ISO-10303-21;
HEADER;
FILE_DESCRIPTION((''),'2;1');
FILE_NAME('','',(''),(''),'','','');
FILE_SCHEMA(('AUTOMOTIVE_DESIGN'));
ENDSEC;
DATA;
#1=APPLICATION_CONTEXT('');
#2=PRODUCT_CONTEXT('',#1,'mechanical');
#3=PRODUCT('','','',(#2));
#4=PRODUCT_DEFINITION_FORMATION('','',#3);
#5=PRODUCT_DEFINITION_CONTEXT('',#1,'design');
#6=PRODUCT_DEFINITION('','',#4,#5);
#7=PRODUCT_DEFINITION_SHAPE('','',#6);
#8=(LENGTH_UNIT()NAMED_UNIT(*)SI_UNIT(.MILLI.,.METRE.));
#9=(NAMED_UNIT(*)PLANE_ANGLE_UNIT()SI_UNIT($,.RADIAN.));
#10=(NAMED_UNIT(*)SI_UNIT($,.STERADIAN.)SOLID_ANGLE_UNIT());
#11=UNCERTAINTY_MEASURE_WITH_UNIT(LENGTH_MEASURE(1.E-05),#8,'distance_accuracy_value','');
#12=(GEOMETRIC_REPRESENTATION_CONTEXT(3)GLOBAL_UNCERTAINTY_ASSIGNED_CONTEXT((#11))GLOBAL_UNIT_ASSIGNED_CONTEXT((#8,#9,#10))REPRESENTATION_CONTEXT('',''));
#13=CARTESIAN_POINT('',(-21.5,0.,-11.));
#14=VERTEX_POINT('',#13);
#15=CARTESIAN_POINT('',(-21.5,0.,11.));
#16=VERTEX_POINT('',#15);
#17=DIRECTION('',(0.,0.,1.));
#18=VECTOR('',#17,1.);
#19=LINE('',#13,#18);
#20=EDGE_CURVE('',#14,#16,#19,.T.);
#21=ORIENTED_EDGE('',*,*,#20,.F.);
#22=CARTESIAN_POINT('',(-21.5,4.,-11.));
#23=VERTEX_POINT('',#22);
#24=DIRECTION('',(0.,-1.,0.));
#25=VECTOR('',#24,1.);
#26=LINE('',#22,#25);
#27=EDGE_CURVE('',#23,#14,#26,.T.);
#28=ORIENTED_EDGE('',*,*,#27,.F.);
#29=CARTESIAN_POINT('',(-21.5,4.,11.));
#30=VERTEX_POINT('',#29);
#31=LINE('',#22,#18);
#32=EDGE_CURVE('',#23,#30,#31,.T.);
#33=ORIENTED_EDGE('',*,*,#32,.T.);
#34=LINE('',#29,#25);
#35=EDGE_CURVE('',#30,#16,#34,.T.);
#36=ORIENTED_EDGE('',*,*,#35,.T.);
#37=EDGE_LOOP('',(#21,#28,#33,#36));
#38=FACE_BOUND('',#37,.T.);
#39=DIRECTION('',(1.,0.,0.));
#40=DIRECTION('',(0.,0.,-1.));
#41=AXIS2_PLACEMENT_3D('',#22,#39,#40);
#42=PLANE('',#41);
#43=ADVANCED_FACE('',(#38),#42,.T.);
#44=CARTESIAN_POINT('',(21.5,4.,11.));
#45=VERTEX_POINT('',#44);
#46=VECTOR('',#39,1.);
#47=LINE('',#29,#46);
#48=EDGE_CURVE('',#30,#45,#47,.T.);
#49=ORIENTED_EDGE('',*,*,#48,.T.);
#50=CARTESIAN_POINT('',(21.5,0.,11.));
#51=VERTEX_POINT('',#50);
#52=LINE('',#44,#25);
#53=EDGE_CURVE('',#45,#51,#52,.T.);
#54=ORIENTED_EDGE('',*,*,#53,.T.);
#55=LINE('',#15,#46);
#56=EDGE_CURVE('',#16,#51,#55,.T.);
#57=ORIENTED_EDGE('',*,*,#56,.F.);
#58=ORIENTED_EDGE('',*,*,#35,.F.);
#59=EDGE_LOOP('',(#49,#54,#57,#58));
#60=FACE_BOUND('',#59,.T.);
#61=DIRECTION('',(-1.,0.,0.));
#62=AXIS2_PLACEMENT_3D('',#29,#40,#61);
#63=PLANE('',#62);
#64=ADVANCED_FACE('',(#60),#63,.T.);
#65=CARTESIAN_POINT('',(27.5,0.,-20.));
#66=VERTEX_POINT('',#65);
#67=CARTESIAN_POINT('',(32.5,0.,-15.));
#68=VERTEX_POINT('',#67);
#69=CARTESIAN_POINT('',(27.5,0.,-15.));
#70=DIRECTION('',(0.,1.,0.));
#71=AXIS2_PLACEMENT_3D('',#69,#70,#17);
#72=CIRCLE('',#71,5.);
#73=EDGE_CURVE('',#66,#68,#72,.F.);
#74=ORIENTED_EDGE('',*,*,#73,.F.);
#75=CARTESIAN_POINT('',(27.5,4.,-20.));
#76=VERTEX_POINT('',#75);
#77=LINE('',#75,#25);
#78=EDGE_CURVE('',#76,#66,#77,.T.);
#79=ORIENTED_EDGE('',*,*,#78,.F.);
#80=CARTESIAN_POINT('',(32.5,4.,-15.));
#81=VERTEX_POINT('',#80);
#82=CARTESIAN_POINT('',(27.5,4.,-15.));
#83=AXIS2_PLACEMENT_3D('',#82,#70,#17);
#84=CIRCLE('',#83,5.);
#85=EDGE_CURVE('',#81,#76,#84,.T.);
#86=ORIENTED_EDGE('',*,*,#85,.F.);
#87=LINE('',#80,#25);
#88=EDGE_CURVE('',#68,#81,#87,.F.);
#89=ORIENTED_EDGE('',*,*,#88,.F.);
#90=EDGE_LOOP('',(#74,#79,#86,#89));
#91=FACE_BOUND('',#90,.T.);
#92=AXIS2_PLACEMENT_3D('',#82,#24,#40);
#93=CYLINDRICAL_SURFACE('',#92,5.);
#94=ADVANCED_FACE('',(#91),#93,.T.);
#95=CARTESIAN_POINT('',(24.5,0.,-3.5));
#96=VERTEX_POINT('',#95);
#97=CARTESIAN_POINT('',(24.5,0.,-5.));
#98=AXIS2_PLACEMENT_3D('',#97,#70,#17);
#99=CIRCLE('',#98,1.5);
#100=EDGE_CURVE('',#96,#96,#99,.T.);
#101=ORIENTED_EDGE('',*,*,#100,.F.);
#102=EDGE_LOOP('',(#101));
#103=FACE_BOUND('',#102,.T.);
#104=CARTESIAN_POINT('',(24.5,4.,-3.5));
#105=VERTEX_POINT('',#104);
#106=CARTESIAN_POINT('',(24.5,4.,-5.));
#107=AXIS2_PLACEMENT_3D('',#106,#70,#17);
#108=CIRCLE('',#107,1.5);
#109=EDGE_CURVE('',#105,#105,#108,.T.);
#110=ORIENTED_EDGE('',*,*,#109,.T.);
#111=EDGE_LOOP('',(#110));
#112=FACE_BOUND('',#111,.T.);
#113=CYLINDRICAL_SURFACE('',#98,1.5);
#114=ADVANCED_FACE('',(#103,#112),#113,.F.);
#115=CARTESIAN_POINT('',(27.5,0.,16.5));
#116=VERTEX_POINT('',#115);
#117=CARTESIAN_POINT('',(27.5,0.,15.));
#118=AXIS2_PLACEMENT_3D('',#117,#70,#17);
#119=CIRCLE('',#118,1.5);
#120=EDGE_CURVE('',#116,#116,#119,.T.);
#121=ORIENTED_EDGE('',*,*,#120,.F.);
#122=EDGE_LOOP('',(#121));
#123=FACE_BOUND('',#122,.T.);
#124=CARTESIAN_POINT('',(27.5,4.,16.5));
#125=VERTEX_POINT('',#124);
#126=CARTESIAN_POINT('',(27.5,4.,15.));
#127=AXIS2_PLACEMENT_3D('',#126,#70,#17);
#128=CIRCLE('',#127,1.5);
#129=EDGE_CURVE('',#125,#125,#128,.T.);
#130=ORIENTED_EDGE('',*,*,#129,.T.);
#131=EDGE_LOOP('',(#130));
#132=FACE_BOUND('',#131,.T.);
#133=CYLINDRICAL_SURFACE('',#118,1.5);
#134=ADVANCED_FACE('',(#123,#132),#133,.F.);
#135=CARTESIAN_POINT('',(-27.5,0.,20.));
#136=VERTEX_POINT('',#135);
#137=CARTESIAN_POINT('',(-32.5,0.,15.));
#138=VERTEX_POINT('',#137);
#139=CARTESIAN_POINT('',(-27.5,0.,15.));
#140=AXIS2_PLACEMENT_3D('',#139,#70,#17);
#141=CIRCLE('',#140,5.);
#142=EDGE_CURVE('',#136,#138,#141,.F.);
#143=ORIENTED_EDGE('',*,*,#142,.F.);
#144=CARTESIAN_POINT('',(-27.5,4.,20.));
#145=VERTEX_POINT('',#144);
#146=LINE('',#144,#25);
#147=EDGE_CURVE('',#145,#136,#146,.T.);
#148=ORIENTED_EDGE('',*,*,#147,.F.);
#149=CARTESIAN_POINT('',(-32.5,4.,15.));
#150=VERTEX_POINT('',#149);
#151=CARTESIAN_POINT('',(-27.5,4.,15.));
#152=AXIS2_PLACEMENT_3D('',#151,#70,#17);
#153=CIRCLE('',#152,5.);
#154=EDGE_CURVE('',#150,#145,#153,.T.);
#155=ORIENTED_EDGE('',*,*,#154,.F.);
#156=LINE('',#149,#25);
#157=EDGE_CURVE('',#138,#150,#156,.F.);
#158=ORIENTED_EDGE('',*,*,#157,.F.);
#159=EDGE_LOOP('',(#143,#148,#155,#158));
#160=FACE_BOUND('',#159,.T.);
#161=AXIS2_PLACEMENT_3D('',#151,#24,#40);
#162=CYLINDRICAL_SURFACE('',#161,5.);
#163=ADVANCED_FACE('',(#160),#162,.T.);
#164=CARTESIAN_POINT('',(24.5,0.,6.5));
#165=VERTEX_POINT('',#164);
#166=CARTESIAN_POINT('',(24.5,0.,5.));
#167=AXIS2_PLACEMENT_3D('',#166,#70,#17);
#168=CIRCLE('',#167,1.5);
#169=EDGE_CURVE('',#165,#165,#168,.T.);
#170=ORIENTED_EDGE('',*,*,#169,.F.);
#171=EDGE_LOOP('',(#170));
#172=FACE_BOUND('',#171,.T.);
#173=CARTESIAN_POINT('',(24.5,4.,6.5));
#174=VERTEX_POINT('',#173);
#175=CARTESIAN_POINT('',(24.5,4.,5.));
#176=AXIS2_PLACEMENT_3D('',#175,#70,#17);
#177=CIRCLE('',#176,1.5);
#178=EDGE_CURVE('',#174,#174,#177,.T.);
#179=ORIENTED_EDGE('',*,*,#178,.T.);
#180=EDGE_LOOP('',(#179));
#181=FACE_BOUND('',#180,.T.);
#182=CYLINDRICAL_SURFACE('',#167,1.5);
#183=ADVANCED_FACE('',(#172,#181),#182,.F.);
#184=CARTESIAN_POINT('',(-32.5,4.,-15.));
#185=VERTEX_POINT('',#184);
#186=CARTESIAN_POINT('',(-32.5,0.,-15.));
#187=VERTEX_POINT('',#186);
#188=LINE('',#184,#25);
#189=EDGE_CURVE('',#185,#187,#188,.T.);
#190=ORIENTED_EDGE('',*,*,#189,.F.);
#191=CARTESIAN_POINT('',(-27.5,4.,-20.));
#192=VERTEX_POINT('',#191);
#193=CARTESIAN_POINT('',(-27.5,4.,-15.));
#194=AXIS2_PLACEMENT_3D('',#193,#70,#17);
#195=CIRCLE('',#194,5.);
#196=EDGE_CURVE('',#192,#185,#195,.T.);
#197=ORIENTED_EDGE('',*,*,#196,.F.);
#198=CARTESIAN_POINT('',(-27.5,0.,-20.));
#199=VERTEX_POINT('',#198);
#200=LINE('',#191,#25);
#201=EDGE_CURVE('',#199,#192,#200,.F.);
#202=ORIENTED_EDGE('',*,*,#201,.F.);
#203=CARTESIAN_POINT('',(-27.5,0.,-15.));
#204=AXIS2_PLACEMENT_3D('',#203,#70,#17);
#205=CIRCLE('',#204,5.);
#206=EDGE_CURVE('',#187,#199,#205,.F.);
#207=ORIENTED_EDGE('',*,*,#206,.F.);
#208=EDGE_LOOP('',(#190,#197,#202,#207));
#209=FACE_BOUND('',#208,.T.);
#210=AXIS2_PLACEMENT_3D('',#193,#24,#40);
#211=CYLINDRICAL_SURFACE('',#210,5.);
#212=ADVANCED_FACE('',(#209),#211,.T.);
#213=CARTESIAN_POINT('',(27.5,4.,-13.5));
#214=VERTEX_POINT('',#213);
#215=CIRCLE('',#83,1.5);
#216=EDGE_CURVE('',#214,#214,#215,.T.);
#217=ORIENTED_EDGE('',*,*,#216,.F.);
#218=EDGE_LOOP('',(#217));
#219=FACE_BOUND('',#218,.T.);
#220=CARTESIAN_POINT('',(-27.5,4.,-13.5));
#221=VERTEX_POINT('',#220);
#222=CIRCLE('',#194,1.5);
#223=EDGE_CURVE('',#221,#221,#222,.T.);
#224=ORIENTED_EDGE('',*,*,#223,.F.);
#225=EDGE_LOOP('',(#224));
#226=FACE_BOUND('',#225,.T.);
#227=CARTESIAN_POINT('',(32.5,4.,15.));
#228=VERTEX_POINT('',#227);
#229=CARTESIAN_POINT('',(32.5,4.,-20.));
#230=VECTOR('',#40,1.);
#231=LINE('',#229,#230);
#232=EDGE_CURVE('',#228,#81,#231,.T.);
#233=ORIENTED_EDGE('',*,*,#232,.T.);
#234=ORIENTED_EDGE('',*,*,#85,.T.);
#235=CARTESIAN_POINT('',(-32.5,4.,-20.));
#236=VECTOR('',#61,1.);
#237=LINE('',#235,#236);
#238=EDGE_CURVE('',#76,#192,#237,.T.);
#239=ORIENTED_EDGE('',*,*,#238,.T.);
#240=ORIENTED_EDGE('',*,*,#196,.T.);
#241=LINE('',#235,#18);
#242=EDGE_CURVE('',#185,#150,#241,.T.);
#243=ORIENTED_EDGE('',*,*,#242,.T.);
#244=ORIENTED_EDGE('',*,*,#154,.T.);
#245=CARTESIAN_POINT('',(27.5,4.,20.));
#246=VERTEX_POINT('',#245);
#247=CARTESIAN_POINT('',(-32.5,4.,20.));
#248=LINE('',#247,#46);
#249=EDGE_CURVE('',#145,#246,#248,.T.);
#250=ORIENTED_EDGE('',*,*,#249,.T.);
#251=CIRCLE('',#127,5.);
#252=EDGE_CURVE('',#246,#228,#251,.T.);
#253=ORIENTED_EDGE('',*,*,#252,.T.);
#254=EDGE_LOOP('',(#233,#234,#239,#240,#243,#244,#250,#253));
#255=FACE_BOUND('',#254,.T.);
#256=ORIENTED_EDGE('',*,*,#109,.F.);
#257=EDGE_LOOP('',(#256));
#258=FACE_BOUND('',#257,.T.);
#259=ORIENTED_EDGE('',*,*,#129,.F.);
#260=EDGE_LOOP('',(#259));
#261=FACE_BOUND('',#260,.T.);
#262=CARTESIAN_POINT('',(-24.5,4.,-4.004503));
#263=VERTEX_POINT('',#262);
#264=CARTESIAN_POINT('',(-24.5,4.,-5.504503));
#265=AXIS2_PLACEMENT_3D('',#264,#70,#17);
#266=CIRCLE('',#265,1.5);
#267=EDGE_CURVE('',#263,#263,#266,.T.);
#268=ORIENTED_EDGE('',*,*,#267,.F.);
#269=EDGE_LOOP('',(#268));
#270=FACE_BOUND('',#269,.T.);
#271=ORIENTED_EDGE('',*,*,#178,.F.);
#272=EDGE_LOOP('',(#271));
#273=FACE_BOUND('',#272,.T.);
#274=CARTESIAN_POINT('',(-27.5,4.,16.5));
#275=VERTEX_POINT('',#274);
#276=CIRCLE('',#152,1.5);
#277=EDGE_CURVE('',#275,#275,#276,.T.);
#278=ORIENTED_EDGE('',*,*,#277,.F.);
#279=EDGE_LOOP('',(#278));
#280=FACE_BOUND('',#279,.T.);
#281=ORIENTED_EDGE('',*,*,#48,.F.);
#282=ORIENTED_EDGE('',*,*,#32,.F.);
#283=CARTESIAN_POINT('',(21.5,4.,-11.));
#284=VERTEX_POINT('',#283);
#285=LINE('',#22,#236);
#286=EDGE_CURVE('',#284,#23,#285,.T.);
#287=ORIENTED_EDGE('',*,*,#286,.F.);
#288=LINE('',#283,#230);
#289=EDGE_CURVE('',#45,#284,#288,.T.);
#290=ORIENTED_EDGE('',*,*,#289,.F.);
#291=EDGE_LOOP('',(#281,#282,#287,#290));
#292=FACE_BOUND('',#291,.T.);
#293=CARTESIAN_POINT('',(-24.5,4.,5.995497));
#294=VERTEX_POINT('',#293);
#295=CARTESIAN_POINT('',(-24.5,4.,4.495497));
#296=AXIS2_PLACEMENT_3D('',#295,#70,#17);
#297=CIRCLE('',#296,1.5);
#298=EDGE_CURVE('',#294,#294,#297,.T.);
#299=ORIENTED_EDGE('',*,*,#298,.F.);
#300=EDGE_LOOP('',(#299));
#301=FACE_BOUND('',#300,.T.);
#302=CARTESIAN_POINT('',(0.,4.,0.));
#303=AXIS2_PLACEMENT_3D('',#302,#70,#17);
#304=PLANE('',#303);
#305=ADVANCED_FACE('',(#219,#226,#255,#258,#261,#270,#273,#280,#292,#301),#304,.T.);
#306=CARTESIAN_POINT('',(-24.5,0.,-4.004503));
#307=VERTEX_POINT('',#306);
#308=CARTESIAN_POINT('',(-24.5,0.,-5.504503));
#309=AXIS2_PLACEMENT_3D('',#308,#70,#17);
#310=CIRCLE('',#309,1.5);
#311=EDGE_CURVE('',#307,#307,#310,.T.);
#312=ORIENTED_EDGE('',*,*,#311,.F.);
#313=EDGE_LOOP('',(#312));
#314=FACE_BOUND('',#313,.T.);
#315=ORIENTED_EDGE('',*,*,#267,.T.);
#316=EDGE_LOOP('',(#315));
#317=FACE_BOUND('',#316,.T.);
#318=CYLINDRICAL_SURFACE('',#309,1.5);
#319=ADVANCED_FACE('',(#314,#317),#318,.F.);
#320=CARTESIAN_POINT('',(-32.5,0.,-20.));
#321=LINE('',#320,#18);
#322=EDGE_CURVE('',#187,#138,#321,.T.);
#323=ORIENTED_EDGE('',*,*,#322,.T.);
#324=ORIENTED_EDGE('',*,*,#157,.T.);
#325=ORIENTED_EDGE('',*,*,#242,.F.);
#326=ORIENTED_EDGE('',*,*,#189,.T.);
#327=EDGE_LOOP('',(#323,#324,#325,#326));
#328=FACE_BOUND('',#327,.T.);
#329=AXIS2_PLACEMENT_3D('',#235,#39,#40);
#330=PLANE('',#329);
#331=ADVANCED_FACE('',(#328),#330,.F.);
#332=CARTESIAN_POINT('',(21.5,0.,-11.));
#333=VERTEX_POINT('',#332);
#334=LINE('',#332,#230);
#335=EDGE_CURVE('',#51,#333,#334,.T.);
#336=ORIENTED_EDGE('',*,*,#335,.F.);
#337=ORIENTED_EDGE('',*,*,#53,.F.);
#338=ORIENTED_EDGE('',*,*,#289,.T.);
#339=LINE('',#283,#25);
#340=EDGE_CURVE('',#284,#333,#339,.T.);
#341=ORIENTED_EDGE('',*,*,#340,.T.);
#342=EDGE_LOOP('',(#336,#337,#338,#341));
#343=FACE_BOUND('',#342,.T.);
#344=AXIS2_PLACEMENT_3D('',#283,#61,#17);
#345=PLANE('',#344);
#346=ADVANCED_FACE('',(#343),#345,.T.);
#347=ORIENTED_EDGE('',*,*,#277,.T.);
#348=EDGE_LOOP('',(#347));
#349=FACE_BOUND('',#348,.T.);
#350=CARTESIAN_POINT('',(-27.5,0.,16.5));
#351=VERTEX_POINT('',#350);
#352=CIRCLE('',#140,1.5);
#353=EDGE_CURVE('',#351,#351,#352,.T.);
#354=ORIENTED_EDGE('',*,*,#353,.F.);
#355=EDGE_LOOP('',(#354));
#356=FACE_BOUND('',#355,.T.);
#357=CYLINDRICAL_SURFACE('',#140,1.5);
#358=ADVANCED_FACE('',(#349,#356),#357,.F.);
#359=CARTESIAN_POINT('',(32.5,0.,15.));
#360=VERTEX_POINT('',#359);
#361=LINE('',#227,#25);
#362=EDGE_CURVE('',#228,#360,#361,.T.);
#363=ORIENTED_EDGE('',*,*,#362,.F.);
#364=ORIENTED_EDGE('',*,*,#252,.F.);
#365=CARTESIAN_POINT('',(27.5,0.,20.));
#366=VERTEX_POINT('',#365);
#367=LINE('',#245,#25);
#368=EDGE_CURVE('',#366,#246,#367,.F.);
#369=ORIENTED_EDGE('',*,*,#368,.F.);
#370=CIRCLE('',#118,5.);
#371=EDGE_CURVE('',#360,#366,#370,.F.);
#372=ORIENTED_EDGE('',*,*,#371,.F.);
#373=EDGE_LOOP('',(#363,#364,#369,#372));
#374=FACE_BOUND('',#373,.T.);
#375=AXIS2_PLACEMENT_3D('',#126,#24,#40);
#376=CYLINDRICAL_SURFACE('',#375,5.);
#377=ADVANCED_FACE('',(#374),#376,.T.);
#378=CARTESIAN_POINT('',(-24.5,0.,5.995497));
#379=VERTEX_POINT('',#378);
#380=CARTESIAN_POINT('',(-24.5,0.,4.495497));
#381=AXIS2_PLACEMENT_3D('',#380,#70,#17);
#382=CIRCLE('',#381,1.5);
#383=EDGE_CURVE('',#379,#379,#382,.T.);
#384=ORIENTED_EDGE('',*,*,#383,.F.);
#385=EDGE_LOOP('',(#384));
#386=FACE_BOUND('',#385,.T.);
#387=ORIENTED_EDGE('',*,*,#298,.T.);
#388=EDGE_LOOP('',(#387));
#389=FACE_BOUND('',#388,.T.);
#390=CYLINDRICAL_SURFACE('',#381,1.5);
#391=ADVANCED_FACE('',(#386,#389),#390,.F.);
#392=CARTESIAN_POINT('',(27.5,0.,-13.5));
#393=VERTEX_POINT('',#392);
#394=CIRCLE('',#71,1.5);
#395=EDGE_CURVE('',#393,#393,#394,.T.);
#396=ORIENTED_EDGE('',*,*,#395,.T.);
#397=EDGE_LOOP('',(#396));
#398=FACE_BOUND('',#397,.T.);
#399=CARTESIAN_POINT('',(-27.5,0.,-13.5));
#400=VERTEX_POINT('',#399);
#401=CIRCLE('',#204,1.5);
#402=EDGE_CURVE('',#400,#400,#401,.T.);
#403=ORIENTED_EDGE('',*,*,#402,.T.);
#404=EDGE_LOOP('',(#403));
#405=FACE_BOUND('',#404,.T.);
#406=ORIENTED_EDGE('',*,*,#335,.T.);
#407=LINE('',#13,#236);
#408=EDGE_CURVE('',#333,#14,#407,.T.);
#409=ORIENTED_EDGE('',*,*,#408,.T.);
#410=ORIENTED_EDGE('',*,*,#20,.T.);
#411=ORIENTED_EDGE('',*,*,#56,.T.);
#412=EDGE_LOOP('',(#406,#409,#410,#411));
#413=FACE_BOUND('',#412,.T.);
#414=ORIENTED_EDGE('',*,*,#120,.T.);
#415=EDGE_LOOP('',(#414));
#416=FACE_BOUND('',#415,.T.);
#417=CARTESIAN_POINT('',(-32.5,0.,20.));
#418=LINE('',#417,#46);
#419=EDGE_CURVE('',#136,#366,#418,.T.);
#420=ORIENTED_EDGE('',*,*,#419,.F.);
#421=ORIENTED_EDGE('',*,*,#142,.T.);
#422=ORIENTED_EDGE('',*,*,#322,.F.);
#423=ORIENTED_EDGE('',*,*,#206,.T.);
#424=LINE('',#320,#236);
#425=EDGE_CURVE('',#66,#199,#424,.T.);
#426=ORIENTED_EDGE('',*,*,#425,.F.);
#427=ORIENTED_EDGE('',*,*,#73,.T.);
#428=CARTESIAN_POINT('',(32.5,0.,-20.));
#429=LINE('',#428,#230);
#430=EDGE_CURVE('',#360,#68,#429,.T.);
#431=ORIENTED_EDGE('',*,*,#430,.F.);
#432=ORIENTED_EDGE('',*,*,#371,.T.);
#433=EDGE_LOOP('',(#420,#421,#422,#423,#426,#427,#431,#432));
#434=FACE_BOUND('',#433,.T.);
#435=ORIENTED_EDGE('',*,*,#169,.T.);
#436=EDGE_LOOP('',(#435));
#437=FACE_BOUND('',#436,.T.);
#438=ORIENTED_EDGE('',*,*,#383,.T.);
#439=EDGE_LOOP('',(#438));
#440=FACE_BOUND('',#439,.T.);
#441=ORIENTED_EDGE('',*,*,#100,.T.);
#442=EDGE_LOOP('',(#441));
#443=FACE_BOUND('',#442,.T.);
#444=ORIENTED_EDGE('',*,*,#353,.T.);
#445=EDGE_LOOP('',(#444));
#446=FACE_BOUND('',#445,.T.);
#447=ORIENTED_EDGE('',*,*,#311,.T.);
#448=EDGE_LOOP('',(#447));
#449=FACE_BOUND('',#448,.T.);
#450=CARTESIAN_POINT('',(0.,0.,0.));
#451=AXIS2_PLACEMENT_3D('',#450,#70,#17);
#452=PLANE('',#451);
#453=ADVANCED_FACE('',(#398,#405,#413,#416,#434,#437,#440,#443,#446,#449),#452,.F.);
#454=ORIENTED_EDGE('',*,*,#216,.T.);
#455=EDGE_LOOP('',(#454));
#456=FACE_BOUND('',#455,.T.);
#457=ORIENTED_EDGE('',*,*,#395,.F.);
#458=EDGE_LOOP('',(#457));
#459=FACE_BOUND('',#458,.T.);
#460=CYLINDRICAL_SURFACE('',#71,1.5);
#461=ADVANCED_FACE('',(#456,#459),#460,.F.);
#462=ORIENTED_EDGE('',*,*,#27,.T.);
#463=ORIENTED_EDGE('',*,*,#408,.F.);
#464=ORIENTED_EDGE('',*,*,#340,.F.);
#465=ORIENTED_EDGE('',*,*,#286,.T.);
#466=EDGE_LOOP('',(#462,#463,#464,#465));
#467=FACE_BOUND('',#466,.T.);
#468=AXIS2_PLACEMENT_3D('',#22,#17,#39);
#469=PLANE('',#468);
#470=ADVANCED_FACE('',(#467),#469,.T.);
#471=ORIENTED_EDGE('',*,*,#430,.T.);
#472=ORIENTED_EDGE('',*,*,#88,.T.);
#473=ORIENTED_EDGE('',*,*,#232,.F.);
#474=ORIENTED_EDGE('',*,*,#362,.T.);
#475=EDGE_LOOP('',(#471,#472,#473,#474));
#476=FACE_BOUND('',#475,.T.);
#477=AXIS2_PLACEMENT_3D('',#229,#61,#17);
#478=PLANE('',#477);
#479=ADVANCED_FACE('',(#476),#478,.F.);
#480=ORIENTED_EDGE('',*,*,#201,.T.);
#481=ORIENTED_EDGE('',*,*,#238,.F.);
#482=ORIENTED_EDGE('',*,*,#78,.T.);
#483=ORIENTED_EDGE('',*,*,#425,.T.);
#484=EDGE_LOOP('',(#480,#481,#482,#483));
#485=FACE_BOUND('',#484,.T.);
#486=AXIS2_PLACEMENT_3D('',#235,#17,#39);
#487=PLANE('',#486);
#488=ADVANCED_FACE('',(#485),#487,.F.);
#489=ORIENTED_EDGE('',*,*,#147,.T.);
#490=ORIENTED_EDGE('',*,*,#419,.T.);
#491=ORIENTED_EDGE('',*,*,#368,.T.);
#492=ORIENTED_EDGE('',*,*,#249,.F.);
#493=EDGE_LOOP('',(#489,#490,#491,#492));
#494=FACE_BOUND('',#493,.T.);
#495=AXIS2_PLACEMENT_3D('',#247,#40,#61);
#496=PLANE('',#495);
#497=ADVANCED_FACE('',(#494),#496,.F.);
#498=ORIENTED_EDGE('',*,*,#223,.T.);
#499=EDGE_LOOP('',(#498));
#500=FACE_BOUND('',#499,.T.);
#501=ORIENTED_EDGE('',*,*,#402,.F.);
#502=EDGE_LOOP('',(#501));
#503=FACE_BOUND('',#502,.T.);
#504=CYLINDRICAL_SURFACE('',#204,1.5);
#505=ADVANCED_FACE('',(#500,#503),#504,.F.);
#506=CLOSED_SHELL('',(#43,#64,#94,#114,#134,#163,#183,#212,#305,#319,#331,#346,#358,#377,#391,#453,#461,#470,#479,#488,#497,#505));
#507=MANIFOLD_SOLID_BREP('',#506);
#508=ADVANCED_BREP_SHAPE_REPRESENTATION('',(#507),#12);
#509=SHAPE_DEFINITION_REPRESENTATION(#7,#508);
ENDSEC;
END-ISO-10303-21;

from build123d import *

# Parameters (mm, degrees)
SKETCH1_W           = 65
SKETCH1_H           = 40
SKETCH1_W_2         = 43
SKETCH1_H_2         = 22
BOSS_EXTRUDE1_DEPTH = 4
SKETCH2_R           = 1.5
CUT_EXTRUDE1_DEPTH  = 39.369910086
FILLET1_R           = 5
FILLET2_R           = 5
FILLET3_R           = 5
FILLET4_R           = 5


with BuildPart() as part:
    # Sketch1 → Boss-Extrude1 (new body)
    with BuildSketch(Plane(origin=(0, 0, 0), x_dir=(1, 0, 0), z_dir=(0, 1, 0))):
        Rectangle(SKETCH1_W, SKETCH1_H)
        Rectangle(SKETCH1_W_2, SKETCH1_H_2, mode=Mode.SUBTRACT)
    extrude(amount=BOSS_EXTRUDE1_DEPTH)

    # Sketch2 → Cut-Extrude1 (cut, through all)
    with BuildSketch(Plane(origin=(0, 4, 0), x_dir=(1, 0, 0), z_dir=(0, 1, 0))):
        with Locations(Location((-24.5, 5.504503052, 0), (0, 0, 270))):
            Circle(SKETCH2_R)
        with Locations(Location((-24.5, -4.495496948, 0), (0, 0, 270))):
            Circle(SKETCH2_R)
        with Locations(Location((24.5, 5, 0), (0, 0, 270))):
            Circle(SKETCH2_R)
        with Locations(Location((24.5, -5, 0), (0, 0, 270))):
            Circle(SKETCH2_R)
        with Locations(Location((-27.5, 15, 0), (0, 0, 270))):
            Circle(SKETCH2_R)
        with Locations(Location((27.5, 15, 0), (0, 0, 270))):
            Circle(SKETCH2_R)
        with Locations(Location((27.5, -15, 0), (0, 0, 270))):
            Circle(SKETCH2_R)
        with Locations(Location((-27.5, -15, 0), (0, 0, 270))):
            Circle(SKETCH2_R)
    extrude(amount=-CUT_EXTRUDE1_DEPTH, mode=Mode.SUBTRACT)

    # Fillet1
    fillet1_edges = [part.edges().sort_by_distance(p)[0] for p in [
        (-32.5, 2, -20),
    ]]
    fillet(fillet1_edges, radius=FILLET1_R)

    # Fillet2
    fillet2_edges = [part.edges().sort_by_distance(p)[0] for p in [
        (32.5, 2, -20),
    ]]
    fillet(fillet2_edges, radius=FILLET2_R)

    # Fillet3
    fillet3_edges = [part.edges().sort_by_distance(p)[0] for p in [
        (32.5, 2, 20),
    ]]
    fillet(fillet3_edges, radius=FILLET3_R)

    # Fillet4
    fillet4_edges = [part.edges().sort_by_distance(p)[0] for p in [
        (-32.5, 2, 20),
    ]]
    fillet(fillet4_edges, radius=FILLET4_R)


solid = part.part
